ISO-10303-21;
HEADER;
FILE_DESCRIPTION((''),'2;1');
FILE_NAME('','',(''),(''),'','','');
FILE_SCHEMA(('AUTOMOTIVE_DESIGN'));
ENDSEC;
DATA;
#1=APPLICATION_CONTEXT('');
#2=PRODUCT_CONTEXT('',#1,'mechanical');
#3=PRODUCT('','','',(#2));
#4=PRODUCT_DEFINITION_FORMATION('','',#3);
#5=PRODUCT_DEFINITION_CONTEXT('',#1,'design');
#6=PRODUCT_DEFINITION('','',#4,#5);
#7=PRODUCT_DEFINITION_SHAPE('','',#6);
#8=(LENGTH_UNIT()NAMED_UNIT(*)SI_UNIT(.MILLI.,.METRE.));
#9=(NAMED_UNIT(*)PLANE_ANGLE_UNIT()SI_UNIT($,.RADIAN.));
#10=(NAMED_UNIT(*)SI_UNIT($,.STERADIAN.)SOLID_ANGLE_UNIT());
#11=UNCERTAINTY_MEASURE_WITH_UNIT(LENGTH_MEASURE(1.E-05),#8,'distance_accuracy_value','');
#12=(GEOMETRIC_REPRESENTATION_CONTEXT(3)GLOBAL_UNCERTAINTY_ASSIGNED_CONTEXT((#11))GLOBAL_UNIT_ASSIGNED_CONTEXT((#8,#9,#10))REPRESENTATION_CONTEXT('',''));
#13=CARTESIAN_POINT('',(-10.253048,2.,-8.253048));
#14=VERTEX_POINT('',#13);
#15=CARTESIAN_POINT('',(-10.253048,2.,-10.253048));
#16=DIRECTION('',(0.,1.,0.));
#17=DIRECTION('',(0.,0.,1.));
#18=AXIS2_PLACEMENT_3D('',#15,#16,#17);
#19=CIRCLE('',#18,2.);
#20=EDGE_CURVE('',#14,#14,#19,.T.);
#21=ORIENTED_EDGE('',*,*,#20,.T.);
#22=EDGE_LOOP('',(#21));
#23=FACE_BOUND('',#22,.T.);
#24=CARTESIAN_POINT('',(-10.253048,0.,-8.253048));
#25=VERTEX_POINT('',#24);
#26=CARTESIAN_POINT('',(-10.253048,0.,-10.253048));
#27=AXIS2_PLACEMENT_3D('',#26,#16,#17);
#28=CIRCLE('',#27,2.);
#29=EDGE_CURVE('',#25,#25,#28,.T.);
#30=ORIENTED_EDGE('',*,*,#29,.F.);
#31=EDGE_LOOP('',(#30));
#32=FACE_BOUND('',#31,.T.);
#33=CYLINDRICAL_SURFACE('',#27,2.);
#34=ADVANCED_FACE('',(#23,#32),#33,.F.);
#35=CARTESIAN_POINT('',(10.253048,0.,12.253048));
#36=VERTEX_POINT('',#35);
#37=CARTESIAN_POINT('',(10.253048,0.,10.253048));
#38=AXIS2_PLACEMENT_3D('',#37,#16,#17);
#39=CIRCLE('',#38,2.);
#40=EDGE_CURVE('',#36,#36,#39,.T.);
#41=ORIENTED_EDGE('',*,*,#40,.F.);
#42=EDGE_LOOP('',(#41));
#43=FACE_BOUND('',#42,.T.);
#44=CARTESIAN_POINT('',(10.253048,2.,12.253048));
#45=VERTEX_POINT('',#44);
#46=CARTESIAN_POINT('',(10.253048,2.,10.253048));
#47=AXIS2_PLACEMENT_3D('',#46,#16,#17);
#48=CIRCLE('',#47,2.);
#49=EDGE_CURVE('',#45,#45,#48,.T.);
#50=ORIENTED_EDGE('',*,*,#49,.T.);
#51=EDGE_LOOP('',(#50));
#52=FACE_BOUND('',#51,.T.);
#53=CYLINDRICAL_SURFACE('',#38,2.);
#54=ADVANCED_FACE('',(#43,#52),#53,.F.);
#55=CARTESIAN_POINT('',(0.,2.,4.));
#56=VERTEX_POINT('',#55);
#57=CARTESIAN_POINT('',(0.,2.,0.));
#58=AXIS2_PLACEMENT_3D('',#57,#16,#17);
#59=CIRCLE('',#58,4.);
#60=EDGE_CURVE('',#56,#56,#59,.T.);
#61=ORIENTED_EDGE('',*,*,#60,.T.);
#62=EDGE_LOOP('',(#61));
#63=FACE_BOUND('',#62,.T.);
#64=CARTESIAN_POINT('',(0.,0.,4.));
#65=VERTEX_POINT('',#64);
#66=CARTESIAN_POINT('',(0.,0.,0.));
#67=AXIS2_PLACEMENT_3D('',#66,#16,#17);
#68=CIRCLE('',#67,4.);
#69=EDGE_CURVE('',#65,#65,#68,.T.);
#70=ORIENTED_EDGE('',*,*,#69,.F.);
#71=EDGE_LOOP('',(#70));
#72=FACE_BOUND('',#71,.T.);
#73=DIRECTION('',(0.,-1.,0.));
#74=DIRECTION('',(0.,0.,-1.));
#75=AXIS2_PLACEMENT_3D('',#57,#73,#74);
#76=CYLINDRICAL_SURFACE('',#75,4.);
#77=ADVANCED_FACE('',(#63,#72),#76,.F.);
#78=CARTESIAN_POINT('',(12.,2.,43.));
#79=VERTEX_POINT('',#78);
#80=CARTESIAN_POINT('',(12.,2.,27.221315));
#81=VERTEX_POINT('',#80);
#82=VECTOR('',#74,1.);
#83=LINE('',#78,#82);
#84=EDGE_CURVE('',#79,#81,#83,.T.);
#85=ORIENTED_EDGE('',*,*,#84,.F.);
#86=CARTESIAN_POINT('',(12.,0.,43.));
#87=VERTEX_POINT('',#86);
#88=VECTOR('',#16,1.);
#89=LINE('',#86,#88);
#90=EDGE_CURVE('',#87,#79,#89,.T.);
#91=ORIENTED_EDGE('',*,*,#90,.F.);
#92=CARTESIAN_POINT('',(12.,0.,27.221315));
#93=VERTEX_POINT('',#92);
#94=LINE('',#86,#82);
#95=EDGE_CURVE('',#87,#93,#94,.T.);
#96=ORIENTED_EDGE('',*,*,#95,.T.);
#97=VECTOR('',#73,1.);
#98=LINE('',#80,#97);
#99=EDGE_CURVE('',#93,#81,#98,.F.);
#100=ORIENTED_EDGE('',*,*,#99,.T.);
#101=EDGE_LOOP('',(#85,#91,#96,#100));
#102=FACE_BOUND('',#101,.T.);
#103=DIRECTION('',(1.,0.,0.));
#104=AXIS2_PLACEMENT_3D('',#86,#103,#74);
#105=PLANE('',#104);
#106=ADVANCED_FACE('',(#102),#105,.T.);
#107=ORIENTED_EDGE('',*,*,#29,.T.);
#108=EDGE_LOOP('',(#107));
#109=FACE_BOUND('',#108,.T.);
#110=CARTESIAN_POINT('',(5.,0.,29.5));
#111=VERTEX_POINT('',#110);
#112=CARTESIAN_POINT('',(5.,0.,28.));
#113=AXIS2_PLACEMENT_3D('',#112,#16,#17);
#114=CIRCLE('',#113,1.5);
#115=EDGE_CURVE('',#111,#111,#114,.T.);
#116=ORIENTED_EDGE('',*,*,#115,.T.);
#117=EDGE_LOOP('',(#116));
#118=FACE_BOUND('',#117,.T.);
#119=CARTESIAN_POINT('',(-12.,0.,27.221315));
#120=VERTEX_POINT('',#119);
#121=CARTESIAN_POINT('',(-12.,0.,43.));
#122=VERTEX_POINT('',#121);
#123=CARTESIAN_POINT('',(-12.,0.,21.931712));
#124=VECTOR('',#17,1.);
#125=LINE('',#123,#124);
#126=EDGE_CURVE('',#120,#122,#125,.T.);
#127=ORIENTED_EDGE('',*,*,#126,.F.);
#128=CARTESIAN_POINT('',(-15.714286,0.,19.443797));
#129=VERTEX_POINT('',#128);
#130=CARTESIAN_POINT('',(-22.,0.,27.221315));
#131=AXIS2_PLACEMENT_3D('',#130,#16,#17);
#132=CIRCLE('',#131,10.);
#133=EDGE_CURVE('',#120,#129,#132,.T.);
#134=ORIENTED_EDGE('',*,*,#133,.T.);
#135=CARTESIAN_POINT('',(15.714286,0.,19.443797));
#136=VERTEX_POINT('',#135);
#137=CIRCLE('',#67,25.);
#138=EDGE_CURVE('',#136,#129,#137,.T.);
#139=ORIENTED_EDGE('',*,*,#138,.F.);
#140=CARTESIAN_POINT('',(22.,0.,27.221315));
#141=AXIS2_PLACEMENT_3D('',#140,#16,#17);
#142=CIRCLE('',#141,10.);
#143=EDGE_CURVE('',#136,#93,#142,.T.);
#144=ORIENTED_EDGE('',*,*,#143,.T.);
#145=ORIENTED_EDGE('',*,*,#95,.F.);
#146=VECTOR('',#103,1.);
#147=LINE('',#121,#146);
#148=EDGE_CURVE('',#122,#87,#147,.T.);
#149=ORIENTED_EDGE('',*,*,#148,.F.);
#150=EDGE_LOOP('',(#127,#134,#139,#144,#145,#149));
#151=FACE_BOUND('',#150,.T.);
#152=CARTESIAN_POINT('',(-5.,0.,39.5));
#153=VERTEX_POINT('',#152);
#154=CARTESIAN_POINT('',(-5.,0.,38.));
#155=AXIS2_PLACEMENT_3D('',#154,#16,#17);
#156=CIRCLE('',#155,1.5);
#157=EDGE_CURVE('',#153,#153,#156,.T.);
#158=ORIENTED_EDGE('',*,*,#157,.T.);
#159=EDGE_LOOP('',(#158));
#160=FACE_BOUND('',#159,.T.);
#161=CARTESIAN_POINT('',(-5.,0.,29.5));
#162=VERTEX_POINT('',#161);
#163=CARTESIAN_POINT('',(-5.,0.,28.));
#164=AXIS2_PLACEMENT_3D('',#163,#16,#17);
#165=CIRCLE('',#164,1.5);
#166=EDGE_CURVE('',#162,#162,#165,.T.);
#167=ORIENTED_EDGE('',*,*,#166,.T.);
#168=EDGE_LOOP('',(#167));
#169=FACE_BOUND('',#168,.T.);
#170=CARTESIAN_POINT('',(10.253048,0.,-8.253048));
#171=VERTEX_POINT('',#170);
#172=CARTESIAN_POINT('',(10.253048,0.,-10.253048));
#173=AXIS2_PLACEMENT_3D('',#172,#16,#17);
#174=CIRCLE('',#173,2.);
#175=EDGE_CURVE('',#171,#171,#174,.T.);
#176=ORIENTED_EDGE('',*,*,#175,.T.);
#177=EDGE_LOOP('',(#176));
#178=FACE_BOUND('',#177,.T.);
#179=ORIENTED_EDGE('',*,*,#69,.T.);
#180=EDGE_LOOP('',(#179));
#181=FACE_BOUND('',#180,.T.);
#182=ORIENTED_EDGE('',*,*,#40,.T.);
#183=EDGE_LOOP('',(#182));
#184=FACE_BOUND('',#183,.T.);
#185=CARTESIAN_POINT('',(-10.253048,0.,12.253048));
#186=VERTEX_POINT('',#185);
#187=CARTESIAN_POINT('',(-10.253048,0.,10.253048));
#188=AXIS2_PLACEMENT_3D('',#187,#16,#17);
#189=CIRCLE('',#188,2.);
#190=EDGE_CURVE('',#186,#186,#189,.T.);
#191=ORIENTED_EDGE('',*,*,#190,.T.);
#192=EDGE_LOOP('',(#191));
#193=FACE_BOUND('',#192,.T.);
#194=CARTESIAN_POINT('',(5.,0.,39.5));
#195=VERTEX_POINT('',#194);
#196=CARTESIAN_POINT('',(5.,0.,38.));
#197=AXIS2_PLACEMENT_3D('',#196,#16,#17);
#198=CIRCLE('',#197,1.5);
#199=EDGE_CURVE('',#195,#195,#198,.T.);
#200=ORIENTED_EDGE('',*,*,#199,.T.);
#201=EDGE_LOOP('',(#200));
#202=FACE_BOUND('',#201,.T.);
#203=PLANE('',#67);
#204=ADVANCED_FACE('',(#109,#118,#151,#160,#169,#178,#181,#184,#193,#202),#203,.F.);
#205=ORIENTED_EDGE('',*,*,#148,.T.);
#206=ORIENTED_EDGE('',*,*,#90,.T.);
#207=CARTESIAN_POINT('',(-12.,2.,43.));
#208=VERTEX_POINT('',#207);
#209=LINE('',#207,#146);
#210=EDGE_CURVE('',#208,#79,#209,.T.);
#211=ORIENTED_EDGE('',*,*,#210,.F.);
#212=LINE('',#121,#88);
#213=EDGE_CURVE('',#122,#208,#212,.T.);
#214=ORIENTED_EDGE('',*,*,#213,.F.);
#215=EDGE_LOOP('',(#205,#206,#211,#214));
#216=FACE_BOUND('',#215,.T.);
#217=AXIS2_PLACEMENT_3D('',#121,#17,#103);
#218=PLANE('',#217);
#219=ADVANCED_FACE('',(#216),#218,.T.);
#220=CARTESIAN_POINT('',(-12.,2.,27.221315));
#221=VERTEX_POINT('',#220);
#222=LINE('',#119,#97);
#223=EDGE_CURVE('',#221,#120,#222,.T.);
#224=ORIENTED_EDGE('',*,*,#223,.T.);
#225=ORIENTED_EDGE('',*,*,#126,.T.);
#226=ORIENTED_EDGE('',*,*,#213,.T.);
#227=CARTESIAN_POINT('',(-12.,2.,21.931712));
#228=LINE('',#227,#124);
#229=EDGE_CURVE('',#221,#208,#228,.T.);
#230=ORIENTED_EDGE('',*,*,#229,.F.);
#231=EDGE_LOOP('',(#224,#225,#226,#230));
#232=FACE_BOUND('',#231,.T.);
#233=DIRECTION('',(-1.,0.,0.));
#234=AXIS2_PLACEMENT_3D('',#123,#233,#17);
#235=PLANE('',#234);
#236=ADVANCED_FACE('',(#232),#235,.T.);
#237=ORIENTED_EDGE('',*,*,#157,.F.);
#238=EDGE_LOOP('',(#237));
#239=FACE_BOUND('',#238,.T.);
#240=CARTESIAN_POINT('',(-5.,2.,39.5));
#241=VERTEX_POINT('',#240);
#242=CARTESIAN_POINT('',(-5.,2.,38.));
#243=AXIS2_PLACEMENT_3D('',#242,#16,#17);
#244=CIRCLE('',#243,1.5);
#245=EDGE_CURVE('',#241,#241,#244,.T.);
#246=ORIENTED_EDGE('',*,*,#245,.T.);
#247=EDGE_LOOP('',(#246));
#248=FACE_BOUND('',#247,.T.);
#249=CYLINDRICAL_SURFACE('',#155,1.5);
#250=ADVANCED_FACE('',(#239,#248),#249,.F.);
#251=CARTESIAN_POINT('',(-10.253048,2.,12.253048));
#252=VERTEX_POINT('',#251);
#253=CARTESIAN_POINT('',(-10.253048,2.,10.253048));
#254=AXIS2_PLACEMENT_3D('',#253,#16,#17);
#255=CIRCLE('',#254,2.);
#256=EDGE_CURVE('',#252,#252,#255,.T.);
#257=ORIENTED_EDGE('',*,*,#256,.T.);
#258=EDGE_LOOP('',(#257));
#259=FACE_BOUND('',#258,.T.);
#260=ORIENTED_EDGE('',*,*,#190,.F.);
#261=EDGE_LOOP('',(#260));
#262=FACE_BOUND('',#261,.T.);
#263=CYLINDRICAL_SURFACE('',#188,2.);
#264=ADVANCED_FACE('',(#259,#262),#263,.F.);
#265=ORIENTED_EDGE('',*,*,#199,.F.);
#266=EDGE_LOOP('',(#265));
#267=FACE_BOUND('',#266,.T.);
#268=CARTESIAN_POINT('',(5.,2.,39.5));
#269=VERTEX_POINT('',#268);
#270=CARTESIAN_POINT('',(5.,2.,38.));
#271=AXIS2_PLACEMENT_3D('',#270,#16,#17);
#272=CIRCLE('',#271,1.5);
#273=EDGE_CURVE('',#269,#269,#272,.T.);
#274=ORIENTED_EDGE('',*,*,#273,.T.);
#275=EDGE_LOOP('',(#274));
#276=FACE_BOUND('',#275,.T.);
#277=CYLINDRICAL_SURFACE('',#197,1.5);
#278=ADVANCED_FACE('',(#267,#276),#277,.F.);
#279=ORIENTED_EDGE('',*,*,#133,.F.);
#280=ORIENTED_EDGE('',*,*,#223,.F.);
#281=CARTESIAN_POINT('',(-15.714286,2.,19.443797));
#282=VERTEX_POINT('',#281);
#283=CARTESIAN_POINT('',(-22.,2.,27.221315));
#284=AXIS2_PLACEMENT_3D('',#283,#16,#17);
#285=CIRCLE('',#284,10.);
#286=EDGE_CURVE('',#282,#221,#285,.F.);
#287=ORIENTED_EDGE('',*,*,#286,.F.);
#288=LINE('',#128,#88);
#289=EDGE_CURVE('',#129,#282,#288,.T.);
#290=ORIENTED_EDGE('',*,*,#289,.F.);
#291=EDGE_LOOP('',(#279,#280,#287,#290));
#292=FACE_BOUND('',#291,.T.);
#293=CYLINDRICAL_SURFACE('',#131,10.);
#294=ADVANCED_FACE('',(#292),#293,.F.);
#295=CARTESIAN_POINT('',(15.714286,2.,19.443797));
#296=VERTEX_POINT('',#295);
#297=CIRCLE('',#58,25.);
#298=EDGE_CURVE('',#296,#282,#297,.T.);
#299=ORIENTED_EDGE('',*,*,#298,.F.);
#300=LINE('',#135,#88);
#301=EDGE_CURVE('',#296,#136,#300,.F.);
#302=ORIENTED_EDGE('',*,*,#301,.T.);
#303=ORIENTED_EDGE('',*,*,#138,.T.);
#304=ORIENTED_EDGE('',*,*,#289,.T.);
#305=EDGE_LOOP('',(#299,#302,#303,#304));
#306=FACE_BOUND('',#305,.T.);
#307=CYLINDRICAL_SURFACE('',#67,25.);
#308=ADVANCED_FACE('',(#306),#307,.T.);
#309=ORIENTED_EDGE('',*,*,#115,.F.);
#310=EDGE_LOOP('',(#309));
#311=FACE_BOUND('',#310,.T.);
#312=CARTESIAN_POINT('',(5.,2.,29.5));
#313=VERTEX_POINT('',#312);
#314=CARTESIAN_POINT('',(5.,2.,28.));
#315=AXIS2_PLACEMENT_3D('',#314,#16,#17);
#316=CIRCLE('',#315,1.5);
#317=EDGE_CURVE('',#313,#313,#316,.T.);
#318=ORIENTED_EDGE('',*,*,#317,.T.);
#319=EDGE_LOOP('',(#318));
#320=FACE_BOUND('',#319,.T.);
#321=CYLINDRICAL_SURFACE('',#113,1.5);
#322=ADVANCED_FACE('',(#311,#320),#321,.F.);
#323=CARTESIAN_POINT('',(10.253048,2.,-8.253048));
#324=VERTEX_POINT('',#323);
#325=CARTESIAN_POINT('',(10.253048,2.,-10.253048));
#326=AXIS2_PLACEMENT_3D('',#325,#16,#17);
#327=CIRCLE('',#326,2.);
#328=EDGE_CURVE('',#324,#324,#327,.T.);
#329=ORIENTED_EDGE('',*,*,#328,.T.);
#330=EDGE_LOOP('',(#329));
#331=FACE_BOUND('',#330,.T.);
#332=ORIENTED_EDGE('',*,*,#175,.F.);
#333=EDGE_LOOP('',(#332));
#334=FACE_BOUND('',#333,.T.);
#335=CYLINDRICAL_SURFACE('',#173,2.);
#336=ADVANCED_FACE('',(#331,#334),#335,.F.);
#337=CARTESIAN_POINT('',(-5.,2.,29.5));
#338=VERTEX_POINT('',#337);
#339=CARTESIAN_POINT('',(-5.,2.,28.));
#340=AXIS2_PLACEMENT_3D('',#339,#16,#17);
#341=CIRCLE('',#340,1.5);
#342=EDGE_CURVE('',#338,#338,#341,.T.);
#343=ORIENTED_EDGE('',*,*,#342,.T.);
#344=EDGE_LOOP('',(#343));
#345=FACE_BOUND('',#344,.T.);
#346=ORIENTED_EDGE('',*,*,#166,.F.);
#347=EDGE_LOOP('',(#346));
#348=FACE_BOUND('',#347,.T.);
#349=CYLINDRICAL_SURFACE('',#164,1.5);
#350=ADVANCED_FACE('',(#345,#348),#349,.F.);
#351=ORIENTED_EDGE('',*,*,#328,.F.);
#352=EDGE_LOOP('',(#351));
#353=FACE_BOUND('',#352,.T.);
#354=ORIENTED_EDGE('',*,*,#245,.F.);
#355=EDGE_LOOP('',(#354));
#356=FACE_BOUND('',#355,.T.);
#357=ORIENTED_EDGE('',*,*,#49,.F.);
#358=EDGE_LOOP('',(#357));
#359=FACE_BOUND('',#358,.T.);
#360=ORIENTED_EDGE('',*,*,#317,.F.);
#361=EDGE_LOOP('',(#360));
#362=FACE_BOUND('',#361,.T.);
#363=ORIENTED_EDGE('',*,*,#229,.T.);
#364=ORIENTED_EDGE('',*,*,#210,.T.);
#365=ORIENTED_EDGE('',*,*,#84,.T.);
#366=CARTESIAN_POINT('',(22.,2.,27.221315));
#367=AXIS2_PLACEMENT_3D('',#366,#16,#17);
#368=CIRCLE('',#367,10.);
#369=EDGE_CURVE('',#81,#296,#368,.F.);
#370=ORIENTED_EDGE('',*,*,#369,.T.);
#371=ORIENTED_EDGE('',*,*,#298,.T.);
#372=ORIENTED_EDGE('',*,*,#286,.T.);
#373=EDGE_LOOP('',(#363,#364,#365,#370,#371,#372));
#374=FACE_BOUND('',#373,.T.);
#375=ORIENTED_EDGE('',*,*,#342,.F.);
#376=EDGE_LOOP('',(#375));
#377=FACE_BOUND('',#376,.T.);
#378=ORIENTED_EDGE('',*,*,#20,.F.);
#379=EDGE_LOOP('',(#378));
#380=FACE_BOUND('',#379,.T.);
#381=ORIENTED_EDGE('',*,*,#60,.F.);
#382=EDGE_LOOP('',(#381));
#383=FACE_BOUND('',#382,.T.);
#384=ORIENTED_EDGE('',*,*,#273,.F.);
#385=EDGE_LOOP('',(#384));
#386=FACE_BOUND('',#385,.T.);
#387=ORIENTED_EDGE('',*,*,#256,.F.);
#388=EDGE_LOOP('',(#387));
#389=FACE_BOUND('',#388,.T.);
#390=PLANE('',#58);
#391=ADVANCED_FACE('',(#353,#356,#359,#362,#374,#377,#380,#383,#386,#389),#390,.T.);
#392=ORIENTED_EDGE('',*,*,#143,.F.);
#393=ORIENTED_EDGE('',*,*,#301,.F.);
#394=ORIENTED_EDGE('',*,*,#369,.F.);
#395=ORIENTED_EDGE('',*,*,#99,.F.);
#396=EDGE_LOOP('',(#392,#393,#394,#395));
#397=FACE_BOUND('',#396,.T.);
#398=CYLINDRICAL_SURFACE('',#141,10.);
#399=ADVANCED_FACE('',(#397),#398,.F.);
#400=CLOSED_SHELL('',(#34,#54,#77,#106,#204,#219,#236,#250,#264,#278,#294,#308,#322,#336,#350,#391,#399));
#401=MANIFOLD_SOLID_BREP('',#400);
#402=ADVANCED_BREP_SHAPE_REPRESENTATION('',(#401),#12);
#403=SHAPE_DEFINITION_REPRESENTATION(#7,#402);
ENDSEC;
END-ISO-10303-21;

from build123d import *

# Parameters (mm, degrees)
SKETCH_2_R          = 6
SKETCH_2_R_2        = 4
EXTRUDE_1_DEPTH     = 2
SKETCH_4_R          = 25
SKETCH_4_R_2        = 5
SKETCH_4_R_3        = 2
EXTRUDE_3_DEPTH     = 2
SKETCH_3_W          = 24
SKETCH_3_H          = 21.068287801
EXTRUDE_2_DEPTH     = 2
SKETCH_5_R          = 1.5
CUT_EXTRUDE_1_DEPTH = 50.779513859
FILLET_1_R          = 10


with BuildPart() as part:
    # 草图2 → 凸台-拉伸1 (new body)
    with BuildSketch(Plane(origin=(0, 0, 0), x_dir=(1, 0, 0), z_dir=(0, 1, 0))):
        with Locations(Location((0, 0, 0), (0, 0, 270))):
            Circle(SKETCH_2_R)
        with Locations(Location((0, 0, 0), (0, 0, 270))):
            Circle(SKETCH_2_R_2, mode=Mode.SUBTRACT)
    extrude(amount=EXTRUDE_1_DEPTH)

    # 草图4 → 凸台-拉伸3 (add)
    with BuildSketch(Plane(origin=(0, 2, 0), x_dir=(1, 0, 0), z_dir=(0, 1, 0))):
        with Locations(Location((0, 0, 0), (0, 0, 270))):
            Circle(SKETCH_4_R)
        Circle(SKETCH_4_R_2, mode=Mode.SUBTRACT)
        with Locations(Location((-10.253048327, 10.253048327, 0), (0, 0, 270))):
            Circle(SKETCH_4_R_3, mode=Mode.SUBTRACT)
        with Locations(Location((10.253048327, 10.253048327, 0), (0, 0, 270))):
            Circle(SKETCH_4_R_3, mode=Mode.SUBTRACT)
        with Locations(Location((-10.253048327, -10.253048327, 0), (0, 0, 270))):
            Circle(SKETCH_4_R_3, mode=Mode.SUBTRACT)
        with Locations(Location((10.253048327, -10.253048327, 0), (0, 0, 270))):
            Circle(SKETCH_4_R_3, mode=Mode.SUBTRACT)
    extrude(amount=-EXTRUDE_3_DEPTH)

    # 草图3 → 凸台-拉伸2 (add)
    with BuildSketch(Plane(origin=(0, 2, 0), x_dir=(1, 0, 0), z_dir=(0, 1, 0))):
        with Locations((0, -32.4658561)):
            Rectangle(SKETCH_3_W, SKETCH_3_H)
    extrude(amount=-EXTRUDE_2_DEPTH)

    # 草图5 → 切除-拉伸1 (cut, through all)
    with BuildSketch(Plane(origin=(0, 2, 0), x_dir=(1, 0, 0), z_dir=(0, 1, 0))):
        with Locations(Location((5, -28, 0), (0, 0, 270))):
            Circle(SKETCH_5_R)
        with Locations(Location((5, -38, 0), (0, 0, 270))):
            Circle(SKETCH_5_R)
        with Locations(Location((-5, -28, 0), (0, 0, 270))):
            Circle(SKETCH_5_R)
        with Locations(Location((-5, -38, 0), (0, 0, 270))):
            Circle(SKETCH_5_R)
    extrude(amount=-CUT_EXTRUDE_1_DEPTH, mode=Mode.SUBTRACT)

    # 圆角1
    fillet_1_edges = [part.edges().sort_by_distance(p)[0] for p in [
        (12, 1, 21.931712199),
        (-12, 1, 21.931712199),
    ]]
    fillet(fillet_1_edges, radius=FILLET_1_R)


solid = part.part
